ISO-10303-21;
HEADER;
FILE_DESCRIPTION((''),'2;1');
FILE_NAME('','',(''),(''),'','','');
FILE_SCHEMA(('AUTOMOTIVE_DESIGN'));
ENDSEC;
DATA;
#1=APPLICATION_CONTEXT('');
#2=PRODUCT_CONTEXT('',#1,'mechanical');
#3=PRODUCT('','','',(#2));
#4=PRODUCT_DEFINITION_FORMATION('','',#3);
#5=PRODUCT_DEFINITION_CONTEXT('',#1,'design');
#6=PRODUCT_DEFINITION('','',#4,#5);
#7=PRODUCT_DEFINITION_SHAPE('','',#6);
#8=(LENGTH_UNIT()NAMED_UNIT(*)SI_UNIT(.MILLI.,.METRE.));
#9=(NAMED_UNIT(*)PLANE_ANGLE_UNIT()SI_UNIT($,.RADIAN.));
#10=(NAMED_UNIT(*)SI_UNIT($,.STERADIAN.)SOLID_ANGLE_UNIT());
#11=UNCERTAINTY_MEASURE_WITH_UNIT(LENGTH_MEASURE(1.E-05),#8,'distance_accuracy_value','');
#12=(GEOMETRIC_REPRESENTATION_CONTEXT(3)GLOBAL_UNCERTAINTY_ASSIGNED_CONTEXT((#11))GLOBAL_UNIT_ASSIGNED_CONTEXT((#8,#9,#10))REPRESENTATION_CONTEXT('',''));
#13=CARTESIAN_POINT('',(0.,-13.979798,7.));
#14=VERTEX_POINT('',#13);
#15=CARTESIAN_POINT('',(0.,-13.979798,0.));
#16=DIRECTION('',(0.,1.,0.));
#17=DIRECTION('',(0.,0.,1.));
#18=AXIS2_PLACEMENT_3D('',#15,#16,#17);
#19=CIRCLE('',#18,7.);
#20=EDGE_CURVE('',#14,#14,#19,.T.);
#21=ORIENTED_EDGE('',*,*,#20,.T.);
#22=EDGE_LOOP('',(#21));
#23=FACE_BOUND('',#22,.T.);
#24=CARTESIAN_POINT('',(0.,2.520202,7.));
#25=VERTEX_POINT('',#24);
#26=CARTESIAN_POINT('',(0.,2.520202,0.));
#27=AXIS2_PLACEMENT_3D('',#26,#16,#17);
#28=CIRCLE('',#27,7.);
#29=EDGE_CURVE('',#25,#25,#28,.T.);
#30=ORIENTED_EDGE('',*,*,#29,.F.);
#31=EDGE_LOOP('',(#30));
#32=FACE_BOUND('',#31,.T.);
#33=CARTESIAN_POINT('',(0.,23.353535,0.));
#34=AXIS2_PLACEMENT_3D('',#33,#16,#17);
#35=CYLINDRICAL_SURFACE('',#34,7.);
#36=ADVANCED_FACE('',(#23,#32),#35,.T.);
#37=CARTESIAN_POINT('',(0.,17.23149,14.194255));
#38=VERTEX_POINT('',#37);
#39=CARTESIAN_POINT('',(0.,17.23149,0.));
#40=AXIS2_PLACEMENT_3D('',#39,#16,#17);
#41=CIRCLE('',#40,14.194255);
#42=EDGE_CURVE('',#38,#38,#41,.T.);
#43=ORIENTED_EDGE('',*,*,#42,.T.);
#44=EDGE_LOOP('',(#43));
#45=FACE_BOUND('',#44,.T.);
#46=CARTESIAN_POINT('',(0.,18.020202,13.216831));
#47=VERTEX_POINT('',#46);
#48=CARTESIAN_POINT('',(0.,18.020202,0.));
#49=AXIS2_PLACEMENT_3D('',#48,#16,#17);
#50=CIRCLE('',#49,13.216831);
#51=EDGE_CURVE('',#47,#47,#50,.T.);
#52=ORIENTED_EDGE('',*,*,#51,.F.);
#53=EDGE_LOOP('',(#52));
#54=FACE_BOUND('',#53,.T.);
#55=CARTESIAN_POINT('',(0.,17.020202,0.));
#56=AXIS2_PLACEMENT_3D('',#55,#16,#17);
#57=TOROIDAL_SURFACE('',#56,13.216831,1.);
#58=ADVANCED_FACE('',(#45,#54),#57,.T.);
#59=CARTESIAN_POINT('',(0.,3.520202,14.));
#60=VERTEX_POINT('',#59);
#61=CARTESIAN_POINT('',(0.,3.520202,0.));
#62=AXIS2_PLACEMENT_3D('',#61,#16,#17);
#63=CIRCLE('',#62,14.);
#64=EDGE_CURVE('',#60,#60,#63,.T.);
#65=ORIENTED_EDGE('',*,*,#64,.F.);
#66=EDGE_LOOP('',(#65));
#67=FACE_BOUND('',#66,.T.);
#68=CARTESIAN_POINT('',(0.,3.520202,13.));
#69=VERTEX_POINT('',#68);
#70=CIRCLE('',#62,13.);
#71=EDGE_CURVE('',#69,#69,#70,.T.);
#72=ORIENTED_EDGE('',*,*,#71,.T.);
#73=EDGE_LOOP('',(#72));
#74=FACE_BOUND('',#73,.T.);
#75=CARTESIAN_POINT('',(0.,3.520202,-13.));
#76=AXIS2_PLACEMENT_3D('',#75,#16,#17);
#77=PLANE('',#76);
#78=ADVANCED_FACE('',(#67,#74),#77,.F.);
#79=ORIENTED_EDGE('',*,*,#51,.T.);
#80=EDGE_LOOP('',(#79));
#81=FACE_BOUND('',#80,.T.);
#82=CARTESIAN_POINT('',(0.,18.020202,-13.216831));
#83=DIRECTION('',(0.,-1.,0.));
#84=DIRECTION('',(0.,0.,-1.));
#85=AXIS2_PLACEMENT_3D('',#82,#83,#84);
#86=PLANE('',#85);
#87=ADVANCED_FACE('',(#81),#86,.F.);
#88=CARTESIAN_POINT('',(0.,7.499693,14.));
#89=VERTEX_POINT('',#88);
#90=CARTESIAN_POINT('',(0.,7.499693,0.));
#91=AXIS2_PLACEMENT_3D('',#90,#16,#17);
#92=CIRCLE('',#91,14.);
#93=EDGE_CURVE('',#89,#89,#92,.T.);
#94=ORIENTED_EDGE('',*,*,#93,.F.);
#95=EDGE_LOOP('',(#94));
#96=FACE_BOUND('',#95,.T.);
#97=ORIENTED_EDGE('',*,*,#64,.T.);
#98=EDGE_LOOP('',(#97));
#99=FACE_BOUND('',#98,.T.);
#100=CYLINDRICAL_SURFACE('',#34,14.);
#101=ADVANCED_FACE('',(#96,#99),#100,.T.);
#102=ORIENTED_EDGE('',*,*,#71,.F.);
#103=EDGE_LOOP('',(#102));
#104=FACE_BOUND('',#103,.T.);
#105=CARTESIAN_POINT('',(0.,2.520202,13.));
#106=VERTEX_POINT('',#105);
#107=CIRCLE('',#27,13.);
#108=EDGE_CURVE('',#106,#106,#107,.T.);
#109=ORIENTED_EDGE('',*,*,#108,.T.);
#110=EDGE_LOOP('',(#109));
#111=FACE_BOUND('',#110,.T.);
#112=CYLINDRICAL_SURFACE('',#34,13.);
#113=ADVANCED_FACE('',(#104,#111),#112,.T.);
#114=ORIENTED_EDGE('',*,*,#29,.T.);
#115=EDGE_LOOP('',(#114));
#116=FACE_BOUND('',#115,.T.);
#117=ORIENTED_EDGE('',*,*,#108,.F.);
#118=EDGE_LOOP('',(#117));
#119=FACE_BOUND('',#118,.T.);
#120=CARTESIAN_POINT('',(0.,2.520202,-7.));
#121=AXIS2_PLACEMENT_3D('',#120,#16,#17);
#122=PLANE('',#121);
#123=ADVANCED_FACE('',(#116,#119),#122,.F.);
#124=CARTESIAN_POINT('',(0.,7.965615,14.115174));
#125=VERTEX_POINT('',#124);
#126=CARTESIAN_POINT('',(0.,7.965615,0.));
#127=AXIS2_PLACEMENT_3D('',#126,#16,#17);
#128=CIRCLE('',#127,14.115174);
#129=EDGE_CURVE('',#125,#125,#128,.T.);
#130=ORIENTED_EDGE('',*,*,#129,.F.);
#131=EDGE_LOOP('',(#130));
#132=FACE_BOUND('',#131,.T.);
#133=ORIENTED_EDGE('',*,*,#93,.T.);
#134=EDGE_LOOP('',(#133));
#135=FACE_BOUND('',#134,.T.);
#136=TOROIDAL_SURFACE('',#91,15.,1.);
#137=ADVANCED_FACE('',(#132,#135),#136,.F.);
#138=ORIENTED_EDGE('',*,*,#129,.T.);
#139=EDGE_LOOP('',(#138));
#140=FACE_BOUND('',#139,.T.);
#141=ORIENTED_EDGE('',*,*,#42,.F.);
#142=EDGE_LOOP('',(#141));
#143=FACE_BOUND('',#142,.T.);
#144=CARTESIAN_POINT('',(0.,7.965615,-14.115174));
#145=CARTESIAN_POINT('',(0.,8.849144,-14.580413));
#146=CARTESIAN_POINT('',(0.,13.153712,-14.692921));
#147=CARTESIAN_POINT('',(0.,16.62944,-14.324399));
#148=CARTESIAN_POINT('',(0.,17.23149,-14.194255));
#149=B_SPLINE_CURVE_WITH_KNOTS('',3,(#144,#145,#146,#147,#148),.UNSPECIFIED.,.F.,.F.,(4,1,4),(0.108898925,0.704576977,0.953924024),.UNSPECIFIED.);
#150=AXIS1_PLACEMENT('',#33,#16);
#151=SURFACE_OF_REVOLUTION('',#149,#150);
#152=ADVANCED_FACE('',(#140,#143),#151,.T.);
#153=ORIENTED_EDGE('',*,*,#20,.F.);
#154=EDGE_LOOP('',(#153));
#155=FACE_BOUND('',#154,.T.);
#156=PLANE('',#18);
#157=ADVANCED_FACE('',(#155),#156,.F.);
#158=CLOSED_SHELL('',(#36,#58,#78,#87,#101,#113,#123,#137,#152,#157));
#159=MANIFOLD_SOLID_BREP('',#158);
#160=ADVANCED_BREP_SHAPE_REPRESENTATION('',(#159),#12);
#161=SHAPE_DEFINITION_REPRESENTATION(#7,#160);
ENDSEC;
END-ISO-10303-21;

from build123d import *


with BuildPart() as part:
    # Esquisse1 → BASE (revolve)
    with BuildSketch(Plane(origin=(0, 0, 0), x_dir=(0, 0, -1), z_dir=(1, 0, 0)), mode=Mode.PRIVATE) as base_sk:
        with BuildLine():
            Line((0, 18.02020202), (0, -13.97979798))
            Line((0, -13.97979798), (7, -13.97979798))
            Line((7, -13.97979798), (7, 2.52020202))
            Line((7, 2.52020202), (13, 2.52020202))
            Line((13, 2.52020202), (13, 3.52020202))
            Line((13, 3.52020202), (14, 3.52020202))
            Line((14, 3.52020202), (14, 7.499692708))
            ThreePointArc((14, 7.499692708), (14.029220483, 7.739665891), (14.115174257, 7.965614809))
            add(Edge.make_bspline(
                [(14.194254849, 17.231489647), (14.32439859, 16.629440159), (14.692921365, 13.153711655), (14.580413451, 8.849143653), (14.115174257, 7.965614809)],
                knots=[0.108898925, 0.108898925, 0.108898925, 0.108898925, 0.358245971, 0.953924024, 0.953924024, 0.953924024, 0.953924024], degree=3))
            ThreePointArc((14.194254849, 17.231489647), (13.844808774, 17.798433228), (13.216830919, 18.02020202))
            Line((13.216830919, 18.02020202), (0, 18.02020202))
        make_face()
    revolve(base_sk.sketch.rotate(Axis((0, 23.353535354, 0), (0, -1, 0)), 180), axis=Axis((0, 23.353535354, 0), (0, -1, 0)))


solid = part.part
